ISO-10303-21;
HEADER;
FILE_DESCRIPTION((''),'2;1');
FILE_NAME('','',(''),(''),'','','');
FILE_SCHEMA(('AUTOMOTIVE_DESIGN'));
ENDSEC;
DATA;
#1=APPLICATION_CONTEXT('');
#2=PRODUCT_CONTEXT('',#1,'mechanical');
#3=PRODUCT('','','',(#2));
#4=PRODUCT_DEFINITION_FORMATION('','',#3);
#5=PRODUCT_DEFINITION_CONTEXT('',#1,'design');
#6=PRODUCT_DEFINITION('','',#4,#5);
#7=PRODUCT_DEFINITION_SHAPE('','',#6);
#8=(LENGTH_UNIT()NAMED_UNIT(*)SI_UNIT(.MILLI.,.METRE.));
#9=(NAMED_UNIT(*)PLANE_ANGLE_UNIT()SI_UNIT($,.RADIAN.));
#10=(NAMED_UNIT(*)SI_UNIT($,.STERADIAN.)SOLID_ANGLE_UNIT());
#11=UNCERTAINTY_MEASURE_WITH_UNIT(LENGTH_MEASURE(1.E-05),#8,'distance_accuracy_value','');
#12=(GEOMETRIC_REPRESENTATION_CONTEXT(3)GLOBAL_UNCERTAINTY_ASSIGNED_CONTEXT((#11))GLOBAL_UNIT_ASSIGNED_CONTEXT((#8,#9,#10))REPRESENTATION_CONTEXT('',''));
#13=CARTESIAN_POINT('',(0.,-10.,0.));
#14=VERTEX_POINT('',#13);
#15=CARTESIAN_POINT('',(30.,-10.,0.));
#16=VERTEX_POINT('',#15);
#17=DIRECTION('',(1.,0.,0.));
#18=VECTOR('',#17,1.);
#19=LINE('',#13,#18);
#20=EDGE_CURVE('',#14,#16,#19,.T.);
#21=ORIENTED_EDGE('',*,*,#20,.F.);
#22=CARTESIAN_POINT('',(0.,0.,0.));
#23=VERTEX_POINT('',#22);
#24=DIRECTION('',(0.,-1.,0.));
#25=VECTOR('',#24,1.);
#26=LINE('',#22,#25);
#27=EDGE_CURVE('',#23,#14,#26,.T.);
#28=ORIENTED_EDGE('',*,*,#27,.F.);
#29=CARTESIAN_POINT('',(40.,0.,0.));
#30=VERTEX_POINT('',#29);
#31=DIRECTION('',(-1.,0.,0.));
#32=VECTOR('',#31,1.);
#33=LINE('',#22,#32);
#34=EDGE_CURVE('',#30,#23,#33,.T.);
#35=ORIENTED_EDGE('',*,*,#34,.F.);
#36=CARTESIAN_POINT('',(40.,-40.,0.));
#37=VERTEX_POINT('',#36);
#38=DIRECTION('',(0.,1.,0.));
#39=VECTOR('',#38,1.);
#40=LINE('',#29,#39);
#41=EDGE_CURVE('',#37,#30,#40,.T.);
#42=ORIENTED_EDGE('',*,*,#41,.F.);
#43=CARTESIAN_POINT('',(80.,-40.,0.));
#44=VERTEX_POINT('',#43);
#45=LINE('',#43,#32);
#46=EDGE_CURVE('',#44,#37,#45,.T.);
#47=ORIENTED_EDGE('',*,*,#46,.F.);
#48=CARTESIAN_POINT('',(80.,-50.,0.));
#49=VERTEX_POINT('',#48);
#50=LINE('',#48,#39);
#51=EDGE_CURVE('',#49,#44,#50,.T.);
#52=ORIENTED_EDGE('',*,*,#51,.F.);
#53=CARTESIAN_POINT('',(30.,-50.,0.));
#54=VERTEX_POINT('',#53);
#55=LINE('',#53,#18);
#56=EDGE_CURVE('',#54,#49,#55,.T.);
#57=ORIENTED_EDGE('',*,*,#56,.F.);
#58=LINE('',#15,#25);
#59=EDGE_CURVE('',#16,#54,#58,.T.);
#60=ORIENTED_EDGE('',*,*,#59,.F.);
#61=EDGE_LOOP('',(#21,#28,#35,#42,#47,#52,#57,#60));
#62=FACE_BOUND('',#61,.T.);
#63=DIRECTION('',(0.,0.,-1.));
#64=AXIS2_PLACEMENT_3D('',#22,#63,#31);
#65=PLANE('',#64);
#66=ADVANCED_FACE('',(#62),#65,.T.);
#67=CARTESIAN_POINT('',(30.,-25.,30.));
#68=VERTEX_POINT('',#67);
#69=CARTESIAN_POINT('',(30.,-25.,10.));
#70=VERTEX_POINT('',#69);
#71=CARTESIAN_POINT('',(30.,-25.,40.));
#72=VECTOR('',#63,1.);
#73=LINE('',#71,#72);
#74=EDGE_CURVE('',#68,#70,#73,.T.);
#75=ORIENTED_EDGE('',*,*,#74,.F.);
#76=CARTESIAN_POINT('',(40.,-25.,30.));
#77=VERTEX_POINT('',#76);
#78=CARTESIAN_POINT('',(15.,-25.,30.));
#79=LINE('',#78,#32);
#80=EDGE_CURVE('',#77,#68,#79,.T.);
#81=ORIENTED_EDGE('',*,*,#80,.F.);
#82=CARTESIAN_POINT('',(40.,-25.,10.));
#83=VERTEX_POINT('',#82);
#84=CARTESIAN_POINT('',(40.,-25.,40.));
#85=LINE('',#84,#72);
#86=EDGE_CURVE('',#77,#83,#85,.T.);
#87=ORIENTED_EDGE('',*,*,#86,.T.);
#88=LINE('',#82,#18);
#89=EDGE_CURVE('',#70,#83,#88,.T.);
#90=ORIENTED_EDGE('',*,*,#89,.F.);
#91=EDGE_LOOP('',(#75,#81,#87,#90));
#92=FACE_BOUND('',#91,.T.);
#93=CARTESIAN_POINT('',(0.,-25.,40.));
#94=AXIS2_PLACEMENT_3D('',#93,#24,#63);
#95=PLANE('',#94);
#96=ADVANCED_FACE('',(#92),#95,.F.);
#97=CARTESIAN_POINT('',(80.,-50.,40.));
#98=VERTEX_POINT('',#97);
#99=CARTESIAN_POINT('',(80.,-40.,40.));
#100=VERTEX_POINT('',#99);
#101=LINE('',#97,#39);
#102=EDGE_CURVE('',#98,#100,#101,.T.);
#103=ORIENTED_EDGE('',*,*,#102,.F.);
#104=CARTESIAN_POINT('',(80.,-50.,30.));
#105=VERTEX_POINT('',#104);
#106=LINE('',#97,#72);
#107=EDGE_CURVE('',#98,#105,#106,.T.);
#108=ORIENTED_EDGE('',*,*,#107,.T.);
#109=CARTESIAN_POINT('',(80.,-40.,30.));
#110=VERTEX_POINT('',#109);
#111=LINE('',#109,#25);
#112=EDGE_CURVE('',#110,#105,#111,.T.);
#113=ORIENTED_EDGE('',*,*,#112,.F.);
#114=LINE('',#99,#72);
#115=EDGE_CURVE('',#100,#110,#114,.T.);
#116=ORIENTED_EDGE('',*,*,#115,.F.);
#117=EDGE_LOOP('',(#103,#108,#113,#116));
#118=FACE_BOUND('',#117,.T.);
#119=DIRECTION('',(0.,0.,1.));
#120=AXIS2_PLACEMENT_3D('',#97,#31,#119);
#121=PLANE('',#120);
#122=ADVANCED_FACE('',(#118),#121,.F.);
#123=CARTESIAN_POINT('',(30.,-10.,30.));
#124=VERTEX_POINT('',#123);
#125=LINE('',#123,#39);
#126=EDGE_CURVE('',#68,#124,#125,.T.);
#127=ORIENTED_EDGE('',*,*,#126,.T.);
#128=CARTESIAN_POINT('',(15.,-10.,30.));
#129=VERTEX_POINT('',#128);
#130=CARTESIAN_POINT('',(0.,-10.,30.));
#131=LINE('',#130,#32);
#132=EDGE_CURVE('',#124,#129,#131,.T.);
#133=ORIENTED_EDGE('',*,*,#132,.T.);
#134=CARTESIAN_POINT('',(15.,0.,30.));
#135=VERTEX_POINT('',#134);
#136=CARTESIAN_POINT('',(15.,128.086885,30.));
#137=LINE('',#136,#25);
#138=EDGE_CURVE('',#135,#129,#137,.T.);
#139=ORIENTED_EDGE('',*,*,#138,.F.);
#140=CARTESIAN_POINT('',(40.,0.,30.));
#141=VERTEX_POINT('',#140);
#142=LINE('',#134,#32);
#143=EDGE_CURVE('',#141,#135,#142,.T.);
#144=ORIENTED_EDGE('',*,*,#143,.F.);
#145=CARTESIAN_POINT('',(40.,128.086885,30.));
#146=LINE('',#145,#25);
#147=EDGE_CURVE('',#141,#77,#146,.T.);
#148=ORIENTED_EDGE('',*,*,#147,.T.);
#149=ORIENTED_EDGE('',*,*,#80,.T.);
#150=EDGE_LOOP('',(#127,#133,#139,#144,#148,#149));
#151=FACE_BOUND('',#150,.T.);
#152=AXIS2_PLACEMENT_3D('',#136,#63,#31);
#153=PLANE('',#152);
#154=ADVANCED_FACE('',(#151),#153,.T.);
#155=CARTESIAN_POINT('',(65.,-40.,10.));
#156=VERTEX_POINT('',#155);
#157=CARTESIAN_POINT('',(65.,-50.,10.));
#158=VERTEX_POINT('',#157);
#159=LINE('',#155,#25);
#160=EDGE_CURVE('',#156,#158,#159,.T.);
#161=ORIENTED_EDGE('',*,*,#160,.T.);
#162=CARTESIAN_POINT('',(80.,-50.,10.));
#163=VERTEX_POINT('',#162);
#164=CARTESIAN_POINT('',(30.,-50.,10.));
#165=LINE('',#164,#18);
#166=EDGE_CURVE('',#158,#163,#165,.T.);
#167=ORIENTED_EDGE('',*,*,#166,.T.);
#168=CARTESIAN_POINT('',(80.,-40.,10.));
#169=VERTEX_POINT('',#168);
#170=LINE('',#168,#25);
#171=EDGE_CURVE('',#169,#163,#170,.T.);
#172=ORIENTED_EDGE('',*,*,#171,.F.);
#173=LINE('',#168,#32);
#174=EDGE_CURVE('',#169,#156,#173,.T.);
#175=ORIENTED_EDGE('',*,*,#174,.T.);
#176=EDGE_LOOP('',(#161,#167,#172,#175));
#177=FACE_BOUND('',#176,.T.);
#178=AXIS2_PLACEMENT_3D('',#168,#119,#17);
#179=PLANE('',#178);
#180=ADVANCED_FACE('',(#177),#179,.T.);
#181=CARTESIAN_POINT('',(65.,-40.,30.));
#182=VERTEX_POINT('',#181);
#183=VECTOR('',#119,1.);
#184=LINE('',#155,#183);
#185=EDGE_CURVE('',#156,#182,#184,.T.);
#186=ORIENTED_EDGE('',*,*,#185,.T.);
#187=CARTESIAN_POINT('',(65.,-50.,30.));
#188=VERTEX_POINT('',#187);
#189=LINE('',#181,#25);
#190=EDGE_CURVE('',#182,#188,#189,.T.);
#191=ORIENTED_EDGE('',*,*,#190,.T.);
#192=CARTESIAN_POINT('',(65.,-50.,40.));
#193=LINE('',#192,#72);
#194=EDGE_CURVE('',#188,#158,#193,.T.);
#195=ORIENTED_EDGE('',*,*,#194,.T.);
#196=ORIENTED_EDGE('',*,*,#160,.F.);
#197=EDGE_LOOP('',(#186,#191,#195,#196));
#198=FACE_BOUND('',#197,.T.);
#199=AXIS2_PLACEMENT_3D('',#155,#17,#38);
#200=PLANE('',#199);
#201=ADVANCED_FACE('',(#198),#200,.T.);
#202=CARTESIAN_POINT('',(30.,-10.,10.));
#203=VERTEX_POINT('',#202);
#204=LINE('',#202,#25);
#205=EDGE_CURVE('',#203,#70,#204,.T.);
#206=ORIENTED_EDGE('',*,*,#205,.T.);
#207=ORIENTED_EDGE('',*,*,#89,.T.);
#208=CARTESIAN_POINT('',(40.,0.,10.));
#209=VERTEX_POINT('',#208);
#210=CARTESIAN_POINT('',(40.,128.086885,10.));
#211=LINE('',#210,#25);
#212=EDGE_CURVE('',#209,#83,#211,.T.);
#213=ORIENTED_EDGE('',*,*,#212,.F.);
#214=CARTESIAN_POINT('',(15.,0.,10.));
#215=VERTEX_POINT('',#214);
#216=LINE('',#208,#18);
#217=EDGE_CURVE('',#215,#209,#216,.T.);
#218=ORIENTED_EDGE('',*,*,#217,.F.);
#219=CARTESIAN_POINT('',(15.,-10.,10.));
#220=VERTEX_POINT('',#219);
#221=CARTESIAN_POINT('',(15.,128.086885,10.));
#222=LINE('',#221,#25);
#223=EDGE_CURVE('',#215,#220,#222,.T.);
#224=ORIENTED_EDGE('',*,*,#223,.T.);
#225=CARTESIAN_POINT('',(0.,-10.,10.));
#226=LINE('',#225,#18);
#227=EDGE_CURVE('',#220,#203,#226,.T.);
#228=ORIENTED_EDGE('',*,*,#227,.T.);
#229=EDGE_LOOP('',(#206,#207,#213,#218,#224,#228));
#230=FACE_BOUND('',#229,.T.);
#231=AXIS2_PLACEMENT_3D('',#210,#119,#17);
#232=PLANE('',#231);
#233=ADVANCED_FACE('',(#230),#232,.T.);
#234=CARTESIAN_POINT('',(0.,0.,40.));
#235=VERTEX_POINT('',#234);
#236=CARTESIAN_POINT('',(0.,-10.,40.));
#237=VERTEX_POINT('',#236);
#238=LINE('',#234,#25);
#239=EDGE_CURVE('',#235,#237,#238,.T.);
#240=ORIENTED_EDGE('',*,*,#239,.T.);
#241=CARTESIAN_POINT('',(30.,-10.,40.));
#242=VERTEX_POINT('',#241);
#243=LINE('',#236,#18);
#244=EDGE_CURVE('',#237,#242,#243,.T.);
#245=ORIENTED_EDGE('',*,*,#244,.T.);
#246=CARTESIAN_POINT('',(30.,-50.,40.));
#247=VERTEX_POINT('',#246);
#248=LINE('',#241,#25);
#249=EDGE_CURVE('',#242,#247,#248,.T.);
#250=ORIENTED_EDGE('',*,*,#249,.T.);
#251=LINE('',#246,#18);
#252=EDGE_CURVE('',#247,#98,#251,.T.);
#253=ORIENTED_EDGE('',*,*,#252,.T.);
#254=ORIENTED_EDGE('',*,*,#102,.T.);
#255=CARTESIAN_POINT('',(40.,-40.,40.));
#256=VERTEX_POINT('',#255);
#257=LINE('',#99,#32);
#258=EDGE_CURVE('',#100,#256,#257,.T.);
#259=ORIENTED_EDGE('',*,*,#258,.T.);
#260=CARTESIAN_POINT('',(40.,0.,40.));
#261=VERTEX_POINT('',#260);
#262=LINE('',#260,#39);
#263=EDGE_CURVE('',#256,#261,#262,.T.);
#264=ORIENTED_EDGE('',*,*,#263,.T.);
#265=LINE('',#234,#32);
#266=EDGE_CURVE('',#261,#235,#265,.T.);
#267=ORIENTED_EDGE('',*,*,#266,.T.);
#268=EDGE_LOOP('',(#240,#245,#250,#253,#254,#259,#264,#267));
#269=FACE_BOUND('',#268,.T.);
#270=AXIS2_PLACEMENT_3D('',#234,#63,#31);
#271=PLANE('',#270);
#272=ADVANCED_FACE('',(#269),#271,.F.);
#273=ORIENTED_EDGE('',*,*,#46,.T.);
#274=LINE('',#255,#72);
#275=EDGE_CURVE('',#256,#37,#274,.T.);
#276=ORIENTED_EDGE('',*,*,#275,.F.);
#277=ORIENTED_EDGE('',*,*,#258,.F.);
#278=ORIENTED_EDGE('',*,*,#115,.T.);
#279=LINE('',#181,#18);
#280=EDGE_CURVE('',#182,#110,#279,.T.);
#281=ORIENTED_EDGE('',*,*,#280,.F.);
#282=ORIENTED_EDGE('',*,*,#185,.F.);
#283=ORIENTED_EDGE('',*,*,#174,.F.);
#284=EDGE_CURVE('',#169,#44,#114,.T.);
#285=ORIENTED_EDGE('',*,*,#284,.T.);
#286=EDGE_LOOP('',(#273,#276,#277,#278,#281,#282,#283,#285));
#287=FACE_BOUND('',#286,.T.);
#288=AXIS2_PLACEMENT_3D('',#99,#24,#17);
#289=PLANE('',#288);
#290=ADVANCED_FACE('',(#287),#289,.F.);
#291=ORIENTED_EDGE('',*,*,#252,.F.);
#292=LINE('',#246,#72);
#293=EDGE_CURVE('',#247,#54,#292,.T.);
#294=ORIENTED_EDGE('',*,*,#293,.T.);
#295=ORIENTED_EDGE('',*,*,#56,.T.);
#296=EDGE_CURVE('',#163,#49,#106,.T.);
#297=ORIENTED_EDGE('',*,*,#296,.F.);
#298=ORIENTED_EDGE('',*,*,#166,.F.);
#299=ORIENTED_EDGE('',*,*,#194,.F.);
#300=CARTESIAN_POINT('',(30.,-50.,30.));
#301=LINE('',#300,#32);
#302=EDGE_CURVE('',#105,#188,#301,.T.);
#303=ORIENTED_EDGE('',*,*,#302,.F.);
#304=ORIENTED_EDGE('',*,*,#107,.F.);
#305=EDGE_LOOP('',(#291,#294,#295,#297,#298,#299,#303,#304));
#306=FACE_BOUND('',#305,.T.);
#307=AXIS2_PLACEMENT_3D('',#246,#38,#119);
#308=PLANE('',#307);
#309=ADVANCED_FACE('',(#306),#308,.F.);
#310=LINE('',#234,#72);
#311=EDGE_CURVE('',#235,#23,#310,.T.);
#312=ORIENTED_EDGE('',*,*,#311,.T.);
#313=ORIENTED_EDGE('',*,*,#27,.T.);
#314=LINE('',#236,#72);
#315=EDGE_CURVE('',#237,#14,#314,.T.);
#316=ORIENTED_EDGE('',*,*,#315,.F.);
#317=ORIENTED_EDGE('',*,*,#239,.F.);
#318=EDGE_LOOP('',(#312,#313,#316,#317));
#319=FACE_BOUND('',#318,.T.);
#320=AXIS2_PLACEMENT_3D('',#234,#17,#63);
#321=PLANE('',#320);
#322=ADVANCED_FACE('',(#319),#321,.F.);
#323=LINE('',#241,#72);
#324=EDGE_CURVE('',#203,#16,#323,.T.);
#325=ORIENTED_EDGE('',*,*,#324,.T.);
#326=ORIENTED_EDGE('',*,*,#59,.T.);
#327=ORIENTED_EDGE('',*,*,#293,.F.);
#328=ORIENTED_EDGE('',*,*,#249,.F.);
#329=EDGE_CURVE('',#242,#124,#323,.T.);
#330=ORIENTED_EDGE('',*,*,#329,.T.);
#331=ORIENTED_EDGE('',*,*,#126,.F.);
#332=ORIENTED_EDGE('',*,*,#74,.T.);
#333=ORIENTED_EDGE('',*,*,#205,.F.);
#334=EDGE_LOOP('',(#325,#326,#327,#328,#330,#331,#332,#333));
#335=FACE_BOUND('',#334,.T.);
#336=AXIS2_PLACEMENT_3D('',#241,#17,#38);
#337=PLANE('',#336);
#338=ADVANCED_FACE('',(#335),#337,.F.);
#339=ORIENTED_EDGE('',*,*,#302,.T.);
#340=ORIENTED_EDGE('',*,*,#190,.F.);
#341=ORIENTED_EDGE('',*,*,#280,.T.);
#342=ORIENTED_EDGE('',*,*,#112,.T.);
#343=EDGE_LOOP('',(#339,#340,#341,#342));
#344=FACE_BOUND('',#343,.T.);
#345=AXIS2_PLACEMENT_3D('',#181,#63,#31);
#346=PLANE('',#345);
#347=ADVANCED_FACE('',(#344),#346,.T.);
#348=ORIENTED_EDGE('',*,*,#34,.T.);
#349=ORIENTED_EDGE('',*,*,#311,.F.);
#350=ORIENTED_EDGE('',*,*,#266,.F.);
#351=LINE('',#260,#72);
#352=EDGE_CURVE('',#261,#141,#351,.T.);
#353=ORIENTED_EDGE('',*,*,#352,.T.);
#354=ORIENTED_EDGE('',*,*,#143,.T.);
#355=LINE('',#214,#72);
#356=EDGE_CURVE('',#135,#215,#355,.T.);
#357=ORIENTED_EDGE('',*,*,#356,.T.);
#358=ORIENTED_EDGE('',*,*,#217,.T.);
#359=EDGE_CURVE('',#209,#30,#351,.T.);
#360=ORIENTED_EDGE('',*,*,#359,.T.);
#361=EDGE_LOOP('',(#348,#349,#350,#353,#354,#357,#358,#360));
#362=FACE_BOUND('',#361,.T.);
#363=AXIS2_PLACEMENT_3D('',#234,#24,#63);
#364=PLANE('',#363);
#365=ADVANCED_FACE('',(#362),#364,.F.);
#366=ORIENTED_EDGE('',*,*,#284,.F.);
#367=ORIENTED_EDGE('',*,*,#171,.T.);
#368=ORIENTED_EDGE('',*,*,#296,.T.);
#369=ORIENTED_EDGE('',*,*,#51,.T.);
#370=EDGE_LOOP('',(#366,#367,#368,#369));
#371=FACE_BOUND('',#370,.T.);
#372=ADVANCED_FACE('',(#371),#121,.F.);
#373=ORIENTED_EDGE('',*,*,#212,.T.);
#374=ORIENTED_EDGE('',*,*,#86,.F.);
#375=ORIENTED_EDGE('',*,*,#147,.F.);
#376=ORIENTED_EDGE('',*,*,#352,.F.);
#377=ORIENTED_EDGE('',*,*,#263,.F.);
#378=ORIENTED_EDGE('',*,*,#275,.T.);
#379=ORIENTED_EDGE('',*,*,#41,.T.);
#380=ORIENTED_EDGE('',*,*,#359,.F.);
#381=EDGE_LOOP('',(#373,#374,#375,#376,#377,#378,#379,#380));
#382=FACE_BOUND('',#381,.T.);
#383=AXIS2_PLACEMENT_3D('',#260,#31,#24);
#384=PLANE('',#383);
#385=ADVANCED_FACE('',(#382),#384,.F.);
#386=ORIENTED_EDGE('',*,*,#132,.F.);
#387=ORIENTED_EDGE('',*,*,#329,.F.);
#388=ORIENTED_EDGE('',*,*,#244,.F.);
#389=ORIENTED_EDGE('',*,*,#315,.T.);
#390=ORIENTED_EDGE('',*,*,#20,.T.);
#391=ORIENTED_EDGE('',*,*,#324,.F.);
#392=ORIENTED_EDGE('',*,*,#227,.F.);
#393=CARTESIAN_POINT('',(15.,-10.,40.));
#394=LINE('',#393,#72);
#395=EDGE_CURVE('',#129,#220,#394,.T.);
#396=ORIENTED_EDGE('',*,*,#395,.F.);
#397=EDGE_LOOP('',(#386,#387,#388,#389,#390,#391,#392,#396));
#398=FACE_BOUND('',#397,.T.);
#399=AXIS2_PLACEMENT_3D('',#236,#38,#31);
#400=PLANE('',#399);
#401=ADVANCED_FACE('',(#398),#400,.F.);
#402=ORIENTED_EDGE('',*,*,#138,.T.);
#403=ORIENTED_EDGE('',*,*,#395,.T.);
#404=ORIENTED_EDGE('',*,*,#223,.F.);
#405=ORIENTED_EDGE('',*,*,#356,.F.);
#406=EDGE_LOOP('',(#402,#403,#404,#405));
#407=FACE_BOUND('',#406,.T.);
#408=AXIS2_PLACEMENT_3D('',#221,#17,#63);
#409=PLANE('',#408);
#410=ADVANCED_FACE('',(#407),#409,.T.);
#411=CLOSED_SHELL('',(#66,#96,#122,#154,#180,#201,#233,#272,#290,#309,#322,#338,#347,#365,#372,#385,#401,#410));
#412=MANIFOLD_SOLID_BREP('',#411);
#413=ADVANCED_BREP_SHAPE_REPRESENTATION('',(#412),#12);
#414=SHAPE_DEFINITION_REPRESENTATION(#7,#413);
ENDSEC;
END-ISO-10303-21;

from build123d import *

# Parameters (mm, degrees)
BOSS_EXTRUDE3_DEPTH     = 40
CUT_EXTRUDE1_DEPTH      = 1
CUT_EXTRUDE1_DEPTH_BACK = 25
CUT_EXTRUDE2_DEPTH      = 11


with BuildPart() as part:
    # Sketch4 → Boss-Extrude3 (new body)
    with BuildSketch(Plane.XY):
        Polygon((0, 0), (0, -10), (30, -10), (30, -50), (80, -50), (80, -40), (40, -40), (40, 0), align=None)
    extrude(amount=BOSS_EXTRUDE3_DEPTH)

    # Sketch5 → Cut-Extrude1 (cut, two sides)
    with BuildSketch(Plane(origin=(0, 0, 0), x_dir=(1, 0, 0), z_dir=(0, 1, 0))) as cut_extrude1_sk:
        Polygon((150, -10), (40, -10), (15, -10), (15, -30), (40, -30), (150, -30), (370, -30), (370, -10), align=None)
    extrude(amount=CUT_EXTRUDE1_DEPTH, mode=Mode.SUBTRACT)
    extrude(cut_extrude1_sk.sketch, amount=-CUT_EXTRUDE1_DEPTH_BACK, mode=Mode.SUBTRACT)

    # Sketch6 → Cut-Extrude2 (cut, through all)
    with BuildSketch(Plane(origin=(0, -40, 0), x_dir=(1, 0, 0), z_dir=(0, 1, 0))):
        Polygon((260.880074906, -10), (80, -10), (65, -10), (65, -30), (80, -30), (260.880074906, -30), (622.640224719, -30), (622.640224719, -10), align=None)
    extrude(amount=-CUT_EXTRUDE2_DEPTH, mode=Mode.SUBTRACT)


solid = part.part
